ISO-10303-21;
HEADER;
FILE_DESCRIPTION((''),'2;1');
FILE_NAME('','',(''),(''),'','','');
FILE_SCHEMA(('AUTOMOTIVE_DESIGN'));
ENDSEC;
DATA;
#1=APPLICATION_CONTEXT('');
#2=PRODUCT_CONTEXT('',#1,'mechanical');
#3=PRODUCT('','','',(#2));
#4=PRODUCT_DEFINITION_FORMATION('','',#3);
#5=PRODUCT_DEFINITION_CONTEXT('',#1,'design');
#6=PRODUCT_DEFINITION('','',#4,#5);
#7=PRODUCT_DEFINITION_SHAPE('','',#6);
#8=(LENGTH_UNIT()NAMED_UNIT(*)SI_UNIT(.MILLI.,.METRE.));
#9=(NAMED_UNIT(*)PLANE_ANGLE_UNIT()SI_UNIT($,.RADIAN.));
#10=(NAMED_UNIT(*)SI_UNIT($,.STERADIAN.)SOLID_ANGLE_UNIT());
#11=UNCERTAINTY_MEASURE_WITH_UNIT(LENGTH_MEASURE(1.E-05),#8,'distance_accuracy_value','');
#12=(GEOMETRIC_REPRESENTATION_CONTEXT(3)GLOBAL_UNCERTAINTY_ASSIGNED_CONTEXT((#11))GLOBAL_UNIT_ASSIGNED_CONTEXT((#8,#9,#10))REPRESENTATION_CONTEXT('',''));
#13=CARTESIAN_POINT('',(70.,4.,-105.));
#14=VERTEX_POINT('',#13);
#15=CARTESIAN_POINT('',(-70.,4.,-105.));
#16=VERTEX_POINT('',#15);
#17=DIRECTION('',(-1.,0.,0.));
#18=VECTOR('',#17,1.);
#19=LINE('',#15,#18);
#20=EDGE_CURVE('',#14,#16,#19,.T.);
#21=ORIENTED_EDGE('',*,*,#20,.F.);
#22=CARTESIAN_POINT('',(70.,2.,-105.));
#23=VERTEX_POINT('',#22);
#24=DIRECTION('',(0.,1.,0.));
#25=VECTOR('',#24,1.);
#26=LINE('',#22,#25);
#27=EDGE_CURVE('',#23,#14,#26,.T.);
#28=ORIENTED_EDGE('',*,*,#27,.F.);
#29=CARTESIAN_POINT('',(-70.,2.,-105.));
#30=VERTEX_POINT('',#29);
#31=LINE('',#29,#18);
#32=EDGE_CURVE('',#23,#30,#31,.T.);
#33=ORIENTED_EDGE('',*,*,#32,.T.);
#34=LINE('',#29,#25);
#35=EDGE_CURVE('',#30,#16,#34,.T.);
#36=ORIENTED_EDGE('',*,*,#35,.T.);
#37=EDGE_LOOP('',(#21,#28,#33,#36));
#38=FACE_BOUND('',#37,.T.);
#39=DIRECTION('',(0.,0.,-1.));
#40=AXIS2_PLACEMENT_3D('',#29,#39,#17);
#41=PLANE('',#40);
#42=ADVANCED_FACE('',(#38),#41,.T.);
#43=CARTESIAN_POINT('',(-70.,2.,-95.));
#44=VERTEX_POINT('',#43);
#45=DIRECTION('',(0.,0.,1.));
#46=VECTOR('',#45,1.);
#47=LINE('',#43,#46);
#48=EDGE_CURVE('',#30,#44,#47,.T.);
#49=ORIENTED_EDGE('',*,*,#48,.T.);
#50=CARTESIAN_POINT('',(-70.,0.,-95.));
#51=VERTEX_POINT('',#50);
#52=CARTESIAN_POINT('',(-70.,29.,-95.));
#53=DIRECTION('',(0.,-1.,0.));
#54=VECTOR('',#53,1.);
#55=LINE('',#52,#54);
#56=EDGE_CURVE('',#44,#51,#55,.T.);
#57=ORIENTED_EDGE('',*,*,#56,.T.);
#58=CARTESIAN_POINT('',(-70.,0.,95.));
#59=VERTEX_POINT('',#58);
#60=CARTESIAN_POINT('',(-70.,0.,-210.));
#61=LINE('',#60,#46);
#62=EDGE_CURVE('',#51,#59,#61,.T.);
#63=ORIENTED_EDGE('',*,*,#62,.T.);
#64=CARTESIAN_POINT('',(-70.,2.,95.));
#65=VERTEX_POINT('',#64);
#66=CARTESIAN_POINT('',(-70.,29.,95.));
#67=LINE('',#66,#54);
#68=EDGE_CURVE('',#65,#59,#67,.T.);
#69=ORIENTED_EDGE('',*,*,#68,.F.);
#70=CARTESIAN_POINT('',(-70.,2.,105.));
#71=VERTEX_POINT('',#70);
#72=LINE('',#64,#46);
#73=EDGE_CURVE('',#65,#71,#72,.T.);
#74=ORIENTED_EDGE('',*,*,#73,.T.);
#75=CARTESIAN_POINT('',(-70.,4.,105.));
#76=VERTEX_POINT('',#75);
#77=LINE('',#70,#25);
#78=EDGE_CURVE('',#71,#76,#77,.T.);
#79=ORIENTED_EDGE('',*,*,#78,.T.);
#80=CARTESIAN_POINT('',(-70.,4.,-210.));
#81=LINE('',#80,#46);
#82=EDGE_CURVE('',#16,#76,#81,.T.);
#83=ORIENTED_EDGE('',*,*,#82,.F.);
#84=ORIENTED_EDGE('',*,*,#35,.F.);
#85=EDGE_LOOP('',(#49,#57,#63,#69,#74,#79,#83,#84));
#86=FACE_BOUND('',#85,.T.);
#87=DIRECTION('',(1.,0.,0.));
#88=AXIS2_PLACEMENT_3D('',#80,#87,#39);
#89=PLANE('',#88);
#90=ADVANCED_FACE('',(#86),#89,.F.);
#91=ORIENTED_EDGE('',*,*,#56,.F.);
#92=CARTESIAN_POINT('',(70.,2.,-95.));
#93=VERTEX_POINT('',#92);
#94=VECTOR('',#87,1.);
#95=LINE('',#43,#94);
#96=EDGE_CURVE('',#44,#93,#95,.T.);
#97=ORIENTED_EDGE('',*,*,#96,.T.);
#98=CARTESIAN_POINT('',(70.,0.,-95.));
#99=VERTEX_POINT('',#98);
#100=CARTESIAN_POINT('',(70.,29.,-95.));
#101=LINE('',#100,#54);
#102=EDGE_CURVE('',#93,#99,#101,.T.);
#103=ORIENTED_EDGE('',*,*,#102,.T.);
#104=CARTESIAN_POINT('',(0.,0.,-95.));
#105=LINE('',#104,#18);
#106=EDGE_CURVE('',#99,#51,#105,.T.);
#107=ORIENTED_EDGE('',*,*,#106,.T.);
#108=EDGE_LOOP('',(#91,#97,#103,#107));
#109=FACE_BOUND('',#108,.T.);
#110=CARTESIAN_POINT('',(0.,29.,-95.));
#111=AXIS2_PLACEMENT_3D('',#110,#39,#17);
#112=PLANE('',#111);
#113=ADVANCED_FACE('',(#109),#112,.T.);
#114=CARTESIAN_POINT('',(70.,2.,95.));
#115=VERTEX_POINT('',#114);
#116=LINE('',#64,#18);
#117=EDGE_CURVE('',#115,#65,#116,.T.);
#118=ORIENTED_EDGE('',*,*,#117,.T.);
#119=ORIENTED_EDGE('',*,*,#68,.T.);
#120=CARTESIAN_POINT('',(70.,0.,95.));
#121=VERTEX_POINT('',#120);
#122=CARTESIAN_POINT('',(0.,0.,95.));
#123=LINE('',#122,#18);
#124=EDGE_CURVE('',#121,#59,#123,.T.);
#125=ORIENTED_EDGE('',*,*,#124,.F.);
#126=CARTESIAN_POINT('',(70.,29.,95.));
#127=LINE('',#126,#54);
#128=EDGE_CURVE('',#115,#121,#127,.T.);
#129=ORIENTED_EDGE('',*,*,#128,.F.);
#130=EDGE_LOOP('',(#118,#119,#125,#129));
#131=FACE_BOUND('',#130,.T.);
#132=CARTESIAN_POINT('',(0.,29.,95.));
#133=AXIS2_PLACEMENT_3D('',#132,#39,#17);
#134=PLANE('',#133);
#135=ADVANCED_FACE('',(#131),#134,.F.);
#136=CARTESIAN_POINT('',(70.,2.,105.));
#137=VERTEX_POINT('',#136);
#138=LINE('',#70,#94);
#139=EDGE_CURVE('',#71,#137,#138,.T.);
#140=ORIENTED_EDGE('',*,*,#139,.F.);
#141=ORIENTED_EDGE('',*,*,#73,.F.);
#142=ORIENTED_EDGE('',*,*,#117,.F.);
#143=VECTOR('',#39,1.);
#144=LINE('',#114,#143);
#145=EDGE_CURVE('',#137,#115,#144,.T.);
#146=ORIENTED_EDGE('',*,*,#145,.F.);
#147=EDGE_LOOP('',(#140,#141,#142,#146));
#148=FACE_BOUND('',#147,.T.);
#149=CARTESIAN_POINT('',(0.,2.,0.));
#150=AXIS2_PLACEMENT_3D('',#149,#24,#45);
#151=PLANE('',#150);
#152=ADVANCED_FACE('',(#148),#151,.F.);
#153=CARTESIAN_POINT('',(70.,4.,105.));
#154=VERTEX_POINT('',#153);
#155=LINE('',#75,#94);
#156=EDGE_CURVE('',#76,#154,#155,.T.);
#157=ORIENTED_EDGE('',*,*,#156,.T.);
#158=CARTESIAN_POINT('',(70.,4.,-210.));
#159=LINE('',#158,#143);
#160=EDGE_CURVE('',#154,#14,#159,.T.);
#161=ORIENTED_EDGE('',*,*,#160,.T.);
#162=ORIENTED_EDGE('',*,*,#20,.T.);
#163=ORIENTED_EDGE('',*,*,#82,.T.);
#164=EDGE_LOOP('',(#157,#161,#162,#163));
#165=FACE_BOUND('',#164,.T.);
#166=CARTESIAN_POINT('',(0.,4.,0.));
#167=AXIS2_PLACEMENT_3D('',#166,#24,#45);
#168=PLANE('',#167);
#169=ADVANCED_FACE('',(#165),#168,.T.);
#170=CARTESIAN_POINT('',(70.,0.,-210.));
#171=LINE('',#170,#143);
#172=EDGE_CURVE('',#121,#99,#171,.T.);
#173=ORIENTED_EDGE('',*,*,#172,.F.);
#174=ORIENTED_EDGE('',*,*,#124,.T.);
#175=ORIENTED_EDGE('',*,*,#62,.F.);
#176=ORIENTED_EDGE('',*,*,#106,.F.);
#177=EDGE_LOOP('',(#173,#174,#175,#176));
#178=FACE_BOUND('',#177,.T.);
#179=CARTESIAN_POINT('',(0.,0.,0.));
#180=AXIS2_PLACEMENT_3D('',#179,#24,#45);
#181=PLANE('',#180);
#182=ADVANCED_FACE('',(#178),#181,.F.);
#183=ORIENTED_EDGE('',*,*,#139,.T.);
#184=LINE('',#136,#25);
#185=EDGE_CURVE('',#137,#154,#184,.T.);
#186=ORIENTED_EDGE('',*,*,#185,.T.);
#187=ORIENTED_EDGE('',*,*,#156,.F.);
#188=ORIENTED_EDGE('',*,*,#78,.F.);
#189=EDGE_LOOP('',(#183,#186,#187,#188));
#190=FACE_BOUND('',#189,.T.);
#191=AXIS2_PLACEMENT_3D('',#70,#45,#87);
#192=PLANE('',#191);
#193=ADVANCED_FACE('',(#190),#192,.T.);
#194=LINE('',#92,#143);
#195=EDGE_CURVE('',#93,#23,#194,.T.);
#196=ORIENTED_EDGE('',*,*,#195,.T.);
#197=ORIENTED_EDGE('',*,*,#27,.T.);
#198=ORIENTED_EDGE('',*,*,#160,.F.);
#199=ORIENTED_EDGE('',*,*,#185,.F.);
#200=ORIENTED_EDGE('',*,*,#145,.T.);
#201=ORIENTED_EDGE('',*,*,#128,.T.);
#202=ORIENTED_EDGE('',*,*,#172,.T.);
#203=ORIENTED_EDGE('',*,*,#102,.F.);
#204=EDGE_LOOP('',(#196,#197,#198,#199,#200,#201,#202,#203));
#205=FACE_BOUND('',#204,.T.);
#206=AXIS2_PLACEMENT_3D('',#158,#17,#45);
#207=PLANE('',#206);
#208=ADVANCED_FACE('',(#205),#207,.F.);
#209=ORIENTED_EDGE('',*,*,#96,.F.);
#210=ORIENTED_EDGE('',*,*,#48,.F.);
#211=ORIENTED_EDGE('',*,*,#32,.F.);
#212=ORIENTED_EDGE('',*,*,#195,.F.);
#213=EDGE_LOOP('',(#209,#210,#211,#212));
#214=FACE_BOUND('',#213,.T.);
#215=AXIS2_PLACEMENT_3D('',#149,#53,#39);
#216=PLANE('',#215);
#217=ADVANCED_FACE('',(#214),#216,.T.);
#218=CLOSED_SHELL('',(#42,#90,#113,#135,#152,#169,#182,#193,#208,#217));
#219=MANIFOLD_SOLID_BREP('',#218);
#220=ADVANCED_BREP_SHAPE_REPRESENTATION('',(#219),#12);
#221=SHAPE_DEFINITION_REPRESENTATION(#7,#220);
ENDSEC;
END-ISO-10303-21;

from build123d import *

# Parameters (mm, degrees)
SKETCH2_W               = 140
SKETCH2_H               = 420
BOSS_EXTRUDE1_DEPTH     = 4
BOSS_EXTRUDE2_DEPTH     = 25
SKETCH4_W               = 10.25
SKETCH4_H               = 80.25
CUT_EXTRUDE1_DEPTH      = 25.4
SKETCH7_W               = 130
SKETCH7_H               = 10
CUT_EXTRUDE2_DEPTH      = 2.45
SKETCH9_W               = 140
SKETCH9_H               = 115
SKETCH9_W_2             = 10.25
SKETCH9_H_2             = 80.25
CUT_EXTRUDE3_DEPTH      = 1
CUT_EXTRUDE3_DEPTH_BACK = 30
SKETCH10_W              = 140
SKETCH10_H              = 10
BOSS_EXTRUDE3_DEPTH     = 2


with BuildPart() as part:
    # Sketch2 → Boss-Extrude1 (new body)
    with BuildSketch(Plane(origin=(0, 0, 0), x_dir=(1, 0, 0), z_dir=(0, 1, 0))):
        Rectangle(SKETCH2_W, SKETCH2_H)
    extrude(amount=BOSS_EXTRUDE1_DEPTH)

    # Sketch3 → Boss-Extrude2 (add)
    with BuildSketch(Plane(origin=(0, 4, 0), x_dir=(1, 0, 0), z_dir=(0, 1, 0))):
        with BuildLine():
            Line((-37.5, -165), (-37.5, -145))
            Line((-37.5, -145), (-43.5, -145))
            Line((-43.5, -145), (-43.5, -165))
            ThreePointArc((-43.5, -165), (0, -208.5), (43.5, -165))
            Line((43.5, -165), (43.5, -145))
            Line((43.5, -145), (37.5, -145))
            Line((37.5, -145), (37.5, -165))
            ThreePointArc((37.5, -165), (0, -202.5), (-37.5, -165))
        make_face()
    extrude(amount=BOSS_EXTRUDE2_DEPTH)

    # Sketch4 → Cut-Extrude1 (cut)
    with BuildSketch(Plane(origin=(0, 4, 0), x_dir=(1, 0, 0), z_dir=(0, 1, 0))):
        with Locations((-59.875, 139.875)):
            Rectangle(SKETCH4_W, SKETCH4_H)
        with Locations((59.875, 139.875)):
            Rectangle(SKETCH4_W, SKETCH4_H)
    extrude(amount=-CUT_EXTRUDE1_DEPTH, mode=Mode.SUBTRACT)

    # Sketch7 → Cut-Extrude2 (cut)
    with BuildSketch(Plane(origin=(0, 4, 0), x_dir=(1, 0, 0), z_dir=(0, 1, 0))):
        with Locations((0, 200)):
            Rectangle(SKETCH7_W, SKETCH7_H)
    extrude(amount=-CUT_EXTRUDE2_DEPTH, mode=Mode.SUBTRACT)

    # Sketch9 → Cut-Extrude3 (cut, two sides)
    with BuildSketch(Plane.XZ) as cut_extrude3_sk:
        with Locations((0, 152.5)):
            Rectangle(SKETCH9_W, SKETCH9_H)
        with Locations((0, -152.5)):
            Rectangle(SKETCH9_W, SKETCH9_H)
        with Locations((-59.875, -139.875)):
            Rectangle(SKETCH9_W_2, SKETCH9_H_2, mode=Mode.SUBTRACT)
        with Locations((59.875, -139.875)):
            Rectangle(SKETCH9_W_2, SKETCH9_H_2, mode=Mode.SUBTRACT)
    extrude(amount=CUT_EXTRUDE3_DEPTH, mode=Mode.SUBTRACT)
    extrude(cut_extrude3_sk.sketch, amount=-CUT_EXTRUDE3_DEPTH_BACK, mode=Mode.SUBTRACT)

    # Sketch10 → Boss-Extrude3 (add)
    with BuildSketch(Plane(origin=(0, 4, 0), x_dir=(1, 0, 0), z_dir=(0, 1, 0))):
        with Locations((0, 100)):
            Rectangle(SKETCH10_W, SKETCH10_H)
        with Locations((0, -100)):
            Rectangle(SKETCH10_W, SKETCH10_H)
    extrude(amount=-BOSS_EXTRUDE3_DEPTH)


solid = part.part
